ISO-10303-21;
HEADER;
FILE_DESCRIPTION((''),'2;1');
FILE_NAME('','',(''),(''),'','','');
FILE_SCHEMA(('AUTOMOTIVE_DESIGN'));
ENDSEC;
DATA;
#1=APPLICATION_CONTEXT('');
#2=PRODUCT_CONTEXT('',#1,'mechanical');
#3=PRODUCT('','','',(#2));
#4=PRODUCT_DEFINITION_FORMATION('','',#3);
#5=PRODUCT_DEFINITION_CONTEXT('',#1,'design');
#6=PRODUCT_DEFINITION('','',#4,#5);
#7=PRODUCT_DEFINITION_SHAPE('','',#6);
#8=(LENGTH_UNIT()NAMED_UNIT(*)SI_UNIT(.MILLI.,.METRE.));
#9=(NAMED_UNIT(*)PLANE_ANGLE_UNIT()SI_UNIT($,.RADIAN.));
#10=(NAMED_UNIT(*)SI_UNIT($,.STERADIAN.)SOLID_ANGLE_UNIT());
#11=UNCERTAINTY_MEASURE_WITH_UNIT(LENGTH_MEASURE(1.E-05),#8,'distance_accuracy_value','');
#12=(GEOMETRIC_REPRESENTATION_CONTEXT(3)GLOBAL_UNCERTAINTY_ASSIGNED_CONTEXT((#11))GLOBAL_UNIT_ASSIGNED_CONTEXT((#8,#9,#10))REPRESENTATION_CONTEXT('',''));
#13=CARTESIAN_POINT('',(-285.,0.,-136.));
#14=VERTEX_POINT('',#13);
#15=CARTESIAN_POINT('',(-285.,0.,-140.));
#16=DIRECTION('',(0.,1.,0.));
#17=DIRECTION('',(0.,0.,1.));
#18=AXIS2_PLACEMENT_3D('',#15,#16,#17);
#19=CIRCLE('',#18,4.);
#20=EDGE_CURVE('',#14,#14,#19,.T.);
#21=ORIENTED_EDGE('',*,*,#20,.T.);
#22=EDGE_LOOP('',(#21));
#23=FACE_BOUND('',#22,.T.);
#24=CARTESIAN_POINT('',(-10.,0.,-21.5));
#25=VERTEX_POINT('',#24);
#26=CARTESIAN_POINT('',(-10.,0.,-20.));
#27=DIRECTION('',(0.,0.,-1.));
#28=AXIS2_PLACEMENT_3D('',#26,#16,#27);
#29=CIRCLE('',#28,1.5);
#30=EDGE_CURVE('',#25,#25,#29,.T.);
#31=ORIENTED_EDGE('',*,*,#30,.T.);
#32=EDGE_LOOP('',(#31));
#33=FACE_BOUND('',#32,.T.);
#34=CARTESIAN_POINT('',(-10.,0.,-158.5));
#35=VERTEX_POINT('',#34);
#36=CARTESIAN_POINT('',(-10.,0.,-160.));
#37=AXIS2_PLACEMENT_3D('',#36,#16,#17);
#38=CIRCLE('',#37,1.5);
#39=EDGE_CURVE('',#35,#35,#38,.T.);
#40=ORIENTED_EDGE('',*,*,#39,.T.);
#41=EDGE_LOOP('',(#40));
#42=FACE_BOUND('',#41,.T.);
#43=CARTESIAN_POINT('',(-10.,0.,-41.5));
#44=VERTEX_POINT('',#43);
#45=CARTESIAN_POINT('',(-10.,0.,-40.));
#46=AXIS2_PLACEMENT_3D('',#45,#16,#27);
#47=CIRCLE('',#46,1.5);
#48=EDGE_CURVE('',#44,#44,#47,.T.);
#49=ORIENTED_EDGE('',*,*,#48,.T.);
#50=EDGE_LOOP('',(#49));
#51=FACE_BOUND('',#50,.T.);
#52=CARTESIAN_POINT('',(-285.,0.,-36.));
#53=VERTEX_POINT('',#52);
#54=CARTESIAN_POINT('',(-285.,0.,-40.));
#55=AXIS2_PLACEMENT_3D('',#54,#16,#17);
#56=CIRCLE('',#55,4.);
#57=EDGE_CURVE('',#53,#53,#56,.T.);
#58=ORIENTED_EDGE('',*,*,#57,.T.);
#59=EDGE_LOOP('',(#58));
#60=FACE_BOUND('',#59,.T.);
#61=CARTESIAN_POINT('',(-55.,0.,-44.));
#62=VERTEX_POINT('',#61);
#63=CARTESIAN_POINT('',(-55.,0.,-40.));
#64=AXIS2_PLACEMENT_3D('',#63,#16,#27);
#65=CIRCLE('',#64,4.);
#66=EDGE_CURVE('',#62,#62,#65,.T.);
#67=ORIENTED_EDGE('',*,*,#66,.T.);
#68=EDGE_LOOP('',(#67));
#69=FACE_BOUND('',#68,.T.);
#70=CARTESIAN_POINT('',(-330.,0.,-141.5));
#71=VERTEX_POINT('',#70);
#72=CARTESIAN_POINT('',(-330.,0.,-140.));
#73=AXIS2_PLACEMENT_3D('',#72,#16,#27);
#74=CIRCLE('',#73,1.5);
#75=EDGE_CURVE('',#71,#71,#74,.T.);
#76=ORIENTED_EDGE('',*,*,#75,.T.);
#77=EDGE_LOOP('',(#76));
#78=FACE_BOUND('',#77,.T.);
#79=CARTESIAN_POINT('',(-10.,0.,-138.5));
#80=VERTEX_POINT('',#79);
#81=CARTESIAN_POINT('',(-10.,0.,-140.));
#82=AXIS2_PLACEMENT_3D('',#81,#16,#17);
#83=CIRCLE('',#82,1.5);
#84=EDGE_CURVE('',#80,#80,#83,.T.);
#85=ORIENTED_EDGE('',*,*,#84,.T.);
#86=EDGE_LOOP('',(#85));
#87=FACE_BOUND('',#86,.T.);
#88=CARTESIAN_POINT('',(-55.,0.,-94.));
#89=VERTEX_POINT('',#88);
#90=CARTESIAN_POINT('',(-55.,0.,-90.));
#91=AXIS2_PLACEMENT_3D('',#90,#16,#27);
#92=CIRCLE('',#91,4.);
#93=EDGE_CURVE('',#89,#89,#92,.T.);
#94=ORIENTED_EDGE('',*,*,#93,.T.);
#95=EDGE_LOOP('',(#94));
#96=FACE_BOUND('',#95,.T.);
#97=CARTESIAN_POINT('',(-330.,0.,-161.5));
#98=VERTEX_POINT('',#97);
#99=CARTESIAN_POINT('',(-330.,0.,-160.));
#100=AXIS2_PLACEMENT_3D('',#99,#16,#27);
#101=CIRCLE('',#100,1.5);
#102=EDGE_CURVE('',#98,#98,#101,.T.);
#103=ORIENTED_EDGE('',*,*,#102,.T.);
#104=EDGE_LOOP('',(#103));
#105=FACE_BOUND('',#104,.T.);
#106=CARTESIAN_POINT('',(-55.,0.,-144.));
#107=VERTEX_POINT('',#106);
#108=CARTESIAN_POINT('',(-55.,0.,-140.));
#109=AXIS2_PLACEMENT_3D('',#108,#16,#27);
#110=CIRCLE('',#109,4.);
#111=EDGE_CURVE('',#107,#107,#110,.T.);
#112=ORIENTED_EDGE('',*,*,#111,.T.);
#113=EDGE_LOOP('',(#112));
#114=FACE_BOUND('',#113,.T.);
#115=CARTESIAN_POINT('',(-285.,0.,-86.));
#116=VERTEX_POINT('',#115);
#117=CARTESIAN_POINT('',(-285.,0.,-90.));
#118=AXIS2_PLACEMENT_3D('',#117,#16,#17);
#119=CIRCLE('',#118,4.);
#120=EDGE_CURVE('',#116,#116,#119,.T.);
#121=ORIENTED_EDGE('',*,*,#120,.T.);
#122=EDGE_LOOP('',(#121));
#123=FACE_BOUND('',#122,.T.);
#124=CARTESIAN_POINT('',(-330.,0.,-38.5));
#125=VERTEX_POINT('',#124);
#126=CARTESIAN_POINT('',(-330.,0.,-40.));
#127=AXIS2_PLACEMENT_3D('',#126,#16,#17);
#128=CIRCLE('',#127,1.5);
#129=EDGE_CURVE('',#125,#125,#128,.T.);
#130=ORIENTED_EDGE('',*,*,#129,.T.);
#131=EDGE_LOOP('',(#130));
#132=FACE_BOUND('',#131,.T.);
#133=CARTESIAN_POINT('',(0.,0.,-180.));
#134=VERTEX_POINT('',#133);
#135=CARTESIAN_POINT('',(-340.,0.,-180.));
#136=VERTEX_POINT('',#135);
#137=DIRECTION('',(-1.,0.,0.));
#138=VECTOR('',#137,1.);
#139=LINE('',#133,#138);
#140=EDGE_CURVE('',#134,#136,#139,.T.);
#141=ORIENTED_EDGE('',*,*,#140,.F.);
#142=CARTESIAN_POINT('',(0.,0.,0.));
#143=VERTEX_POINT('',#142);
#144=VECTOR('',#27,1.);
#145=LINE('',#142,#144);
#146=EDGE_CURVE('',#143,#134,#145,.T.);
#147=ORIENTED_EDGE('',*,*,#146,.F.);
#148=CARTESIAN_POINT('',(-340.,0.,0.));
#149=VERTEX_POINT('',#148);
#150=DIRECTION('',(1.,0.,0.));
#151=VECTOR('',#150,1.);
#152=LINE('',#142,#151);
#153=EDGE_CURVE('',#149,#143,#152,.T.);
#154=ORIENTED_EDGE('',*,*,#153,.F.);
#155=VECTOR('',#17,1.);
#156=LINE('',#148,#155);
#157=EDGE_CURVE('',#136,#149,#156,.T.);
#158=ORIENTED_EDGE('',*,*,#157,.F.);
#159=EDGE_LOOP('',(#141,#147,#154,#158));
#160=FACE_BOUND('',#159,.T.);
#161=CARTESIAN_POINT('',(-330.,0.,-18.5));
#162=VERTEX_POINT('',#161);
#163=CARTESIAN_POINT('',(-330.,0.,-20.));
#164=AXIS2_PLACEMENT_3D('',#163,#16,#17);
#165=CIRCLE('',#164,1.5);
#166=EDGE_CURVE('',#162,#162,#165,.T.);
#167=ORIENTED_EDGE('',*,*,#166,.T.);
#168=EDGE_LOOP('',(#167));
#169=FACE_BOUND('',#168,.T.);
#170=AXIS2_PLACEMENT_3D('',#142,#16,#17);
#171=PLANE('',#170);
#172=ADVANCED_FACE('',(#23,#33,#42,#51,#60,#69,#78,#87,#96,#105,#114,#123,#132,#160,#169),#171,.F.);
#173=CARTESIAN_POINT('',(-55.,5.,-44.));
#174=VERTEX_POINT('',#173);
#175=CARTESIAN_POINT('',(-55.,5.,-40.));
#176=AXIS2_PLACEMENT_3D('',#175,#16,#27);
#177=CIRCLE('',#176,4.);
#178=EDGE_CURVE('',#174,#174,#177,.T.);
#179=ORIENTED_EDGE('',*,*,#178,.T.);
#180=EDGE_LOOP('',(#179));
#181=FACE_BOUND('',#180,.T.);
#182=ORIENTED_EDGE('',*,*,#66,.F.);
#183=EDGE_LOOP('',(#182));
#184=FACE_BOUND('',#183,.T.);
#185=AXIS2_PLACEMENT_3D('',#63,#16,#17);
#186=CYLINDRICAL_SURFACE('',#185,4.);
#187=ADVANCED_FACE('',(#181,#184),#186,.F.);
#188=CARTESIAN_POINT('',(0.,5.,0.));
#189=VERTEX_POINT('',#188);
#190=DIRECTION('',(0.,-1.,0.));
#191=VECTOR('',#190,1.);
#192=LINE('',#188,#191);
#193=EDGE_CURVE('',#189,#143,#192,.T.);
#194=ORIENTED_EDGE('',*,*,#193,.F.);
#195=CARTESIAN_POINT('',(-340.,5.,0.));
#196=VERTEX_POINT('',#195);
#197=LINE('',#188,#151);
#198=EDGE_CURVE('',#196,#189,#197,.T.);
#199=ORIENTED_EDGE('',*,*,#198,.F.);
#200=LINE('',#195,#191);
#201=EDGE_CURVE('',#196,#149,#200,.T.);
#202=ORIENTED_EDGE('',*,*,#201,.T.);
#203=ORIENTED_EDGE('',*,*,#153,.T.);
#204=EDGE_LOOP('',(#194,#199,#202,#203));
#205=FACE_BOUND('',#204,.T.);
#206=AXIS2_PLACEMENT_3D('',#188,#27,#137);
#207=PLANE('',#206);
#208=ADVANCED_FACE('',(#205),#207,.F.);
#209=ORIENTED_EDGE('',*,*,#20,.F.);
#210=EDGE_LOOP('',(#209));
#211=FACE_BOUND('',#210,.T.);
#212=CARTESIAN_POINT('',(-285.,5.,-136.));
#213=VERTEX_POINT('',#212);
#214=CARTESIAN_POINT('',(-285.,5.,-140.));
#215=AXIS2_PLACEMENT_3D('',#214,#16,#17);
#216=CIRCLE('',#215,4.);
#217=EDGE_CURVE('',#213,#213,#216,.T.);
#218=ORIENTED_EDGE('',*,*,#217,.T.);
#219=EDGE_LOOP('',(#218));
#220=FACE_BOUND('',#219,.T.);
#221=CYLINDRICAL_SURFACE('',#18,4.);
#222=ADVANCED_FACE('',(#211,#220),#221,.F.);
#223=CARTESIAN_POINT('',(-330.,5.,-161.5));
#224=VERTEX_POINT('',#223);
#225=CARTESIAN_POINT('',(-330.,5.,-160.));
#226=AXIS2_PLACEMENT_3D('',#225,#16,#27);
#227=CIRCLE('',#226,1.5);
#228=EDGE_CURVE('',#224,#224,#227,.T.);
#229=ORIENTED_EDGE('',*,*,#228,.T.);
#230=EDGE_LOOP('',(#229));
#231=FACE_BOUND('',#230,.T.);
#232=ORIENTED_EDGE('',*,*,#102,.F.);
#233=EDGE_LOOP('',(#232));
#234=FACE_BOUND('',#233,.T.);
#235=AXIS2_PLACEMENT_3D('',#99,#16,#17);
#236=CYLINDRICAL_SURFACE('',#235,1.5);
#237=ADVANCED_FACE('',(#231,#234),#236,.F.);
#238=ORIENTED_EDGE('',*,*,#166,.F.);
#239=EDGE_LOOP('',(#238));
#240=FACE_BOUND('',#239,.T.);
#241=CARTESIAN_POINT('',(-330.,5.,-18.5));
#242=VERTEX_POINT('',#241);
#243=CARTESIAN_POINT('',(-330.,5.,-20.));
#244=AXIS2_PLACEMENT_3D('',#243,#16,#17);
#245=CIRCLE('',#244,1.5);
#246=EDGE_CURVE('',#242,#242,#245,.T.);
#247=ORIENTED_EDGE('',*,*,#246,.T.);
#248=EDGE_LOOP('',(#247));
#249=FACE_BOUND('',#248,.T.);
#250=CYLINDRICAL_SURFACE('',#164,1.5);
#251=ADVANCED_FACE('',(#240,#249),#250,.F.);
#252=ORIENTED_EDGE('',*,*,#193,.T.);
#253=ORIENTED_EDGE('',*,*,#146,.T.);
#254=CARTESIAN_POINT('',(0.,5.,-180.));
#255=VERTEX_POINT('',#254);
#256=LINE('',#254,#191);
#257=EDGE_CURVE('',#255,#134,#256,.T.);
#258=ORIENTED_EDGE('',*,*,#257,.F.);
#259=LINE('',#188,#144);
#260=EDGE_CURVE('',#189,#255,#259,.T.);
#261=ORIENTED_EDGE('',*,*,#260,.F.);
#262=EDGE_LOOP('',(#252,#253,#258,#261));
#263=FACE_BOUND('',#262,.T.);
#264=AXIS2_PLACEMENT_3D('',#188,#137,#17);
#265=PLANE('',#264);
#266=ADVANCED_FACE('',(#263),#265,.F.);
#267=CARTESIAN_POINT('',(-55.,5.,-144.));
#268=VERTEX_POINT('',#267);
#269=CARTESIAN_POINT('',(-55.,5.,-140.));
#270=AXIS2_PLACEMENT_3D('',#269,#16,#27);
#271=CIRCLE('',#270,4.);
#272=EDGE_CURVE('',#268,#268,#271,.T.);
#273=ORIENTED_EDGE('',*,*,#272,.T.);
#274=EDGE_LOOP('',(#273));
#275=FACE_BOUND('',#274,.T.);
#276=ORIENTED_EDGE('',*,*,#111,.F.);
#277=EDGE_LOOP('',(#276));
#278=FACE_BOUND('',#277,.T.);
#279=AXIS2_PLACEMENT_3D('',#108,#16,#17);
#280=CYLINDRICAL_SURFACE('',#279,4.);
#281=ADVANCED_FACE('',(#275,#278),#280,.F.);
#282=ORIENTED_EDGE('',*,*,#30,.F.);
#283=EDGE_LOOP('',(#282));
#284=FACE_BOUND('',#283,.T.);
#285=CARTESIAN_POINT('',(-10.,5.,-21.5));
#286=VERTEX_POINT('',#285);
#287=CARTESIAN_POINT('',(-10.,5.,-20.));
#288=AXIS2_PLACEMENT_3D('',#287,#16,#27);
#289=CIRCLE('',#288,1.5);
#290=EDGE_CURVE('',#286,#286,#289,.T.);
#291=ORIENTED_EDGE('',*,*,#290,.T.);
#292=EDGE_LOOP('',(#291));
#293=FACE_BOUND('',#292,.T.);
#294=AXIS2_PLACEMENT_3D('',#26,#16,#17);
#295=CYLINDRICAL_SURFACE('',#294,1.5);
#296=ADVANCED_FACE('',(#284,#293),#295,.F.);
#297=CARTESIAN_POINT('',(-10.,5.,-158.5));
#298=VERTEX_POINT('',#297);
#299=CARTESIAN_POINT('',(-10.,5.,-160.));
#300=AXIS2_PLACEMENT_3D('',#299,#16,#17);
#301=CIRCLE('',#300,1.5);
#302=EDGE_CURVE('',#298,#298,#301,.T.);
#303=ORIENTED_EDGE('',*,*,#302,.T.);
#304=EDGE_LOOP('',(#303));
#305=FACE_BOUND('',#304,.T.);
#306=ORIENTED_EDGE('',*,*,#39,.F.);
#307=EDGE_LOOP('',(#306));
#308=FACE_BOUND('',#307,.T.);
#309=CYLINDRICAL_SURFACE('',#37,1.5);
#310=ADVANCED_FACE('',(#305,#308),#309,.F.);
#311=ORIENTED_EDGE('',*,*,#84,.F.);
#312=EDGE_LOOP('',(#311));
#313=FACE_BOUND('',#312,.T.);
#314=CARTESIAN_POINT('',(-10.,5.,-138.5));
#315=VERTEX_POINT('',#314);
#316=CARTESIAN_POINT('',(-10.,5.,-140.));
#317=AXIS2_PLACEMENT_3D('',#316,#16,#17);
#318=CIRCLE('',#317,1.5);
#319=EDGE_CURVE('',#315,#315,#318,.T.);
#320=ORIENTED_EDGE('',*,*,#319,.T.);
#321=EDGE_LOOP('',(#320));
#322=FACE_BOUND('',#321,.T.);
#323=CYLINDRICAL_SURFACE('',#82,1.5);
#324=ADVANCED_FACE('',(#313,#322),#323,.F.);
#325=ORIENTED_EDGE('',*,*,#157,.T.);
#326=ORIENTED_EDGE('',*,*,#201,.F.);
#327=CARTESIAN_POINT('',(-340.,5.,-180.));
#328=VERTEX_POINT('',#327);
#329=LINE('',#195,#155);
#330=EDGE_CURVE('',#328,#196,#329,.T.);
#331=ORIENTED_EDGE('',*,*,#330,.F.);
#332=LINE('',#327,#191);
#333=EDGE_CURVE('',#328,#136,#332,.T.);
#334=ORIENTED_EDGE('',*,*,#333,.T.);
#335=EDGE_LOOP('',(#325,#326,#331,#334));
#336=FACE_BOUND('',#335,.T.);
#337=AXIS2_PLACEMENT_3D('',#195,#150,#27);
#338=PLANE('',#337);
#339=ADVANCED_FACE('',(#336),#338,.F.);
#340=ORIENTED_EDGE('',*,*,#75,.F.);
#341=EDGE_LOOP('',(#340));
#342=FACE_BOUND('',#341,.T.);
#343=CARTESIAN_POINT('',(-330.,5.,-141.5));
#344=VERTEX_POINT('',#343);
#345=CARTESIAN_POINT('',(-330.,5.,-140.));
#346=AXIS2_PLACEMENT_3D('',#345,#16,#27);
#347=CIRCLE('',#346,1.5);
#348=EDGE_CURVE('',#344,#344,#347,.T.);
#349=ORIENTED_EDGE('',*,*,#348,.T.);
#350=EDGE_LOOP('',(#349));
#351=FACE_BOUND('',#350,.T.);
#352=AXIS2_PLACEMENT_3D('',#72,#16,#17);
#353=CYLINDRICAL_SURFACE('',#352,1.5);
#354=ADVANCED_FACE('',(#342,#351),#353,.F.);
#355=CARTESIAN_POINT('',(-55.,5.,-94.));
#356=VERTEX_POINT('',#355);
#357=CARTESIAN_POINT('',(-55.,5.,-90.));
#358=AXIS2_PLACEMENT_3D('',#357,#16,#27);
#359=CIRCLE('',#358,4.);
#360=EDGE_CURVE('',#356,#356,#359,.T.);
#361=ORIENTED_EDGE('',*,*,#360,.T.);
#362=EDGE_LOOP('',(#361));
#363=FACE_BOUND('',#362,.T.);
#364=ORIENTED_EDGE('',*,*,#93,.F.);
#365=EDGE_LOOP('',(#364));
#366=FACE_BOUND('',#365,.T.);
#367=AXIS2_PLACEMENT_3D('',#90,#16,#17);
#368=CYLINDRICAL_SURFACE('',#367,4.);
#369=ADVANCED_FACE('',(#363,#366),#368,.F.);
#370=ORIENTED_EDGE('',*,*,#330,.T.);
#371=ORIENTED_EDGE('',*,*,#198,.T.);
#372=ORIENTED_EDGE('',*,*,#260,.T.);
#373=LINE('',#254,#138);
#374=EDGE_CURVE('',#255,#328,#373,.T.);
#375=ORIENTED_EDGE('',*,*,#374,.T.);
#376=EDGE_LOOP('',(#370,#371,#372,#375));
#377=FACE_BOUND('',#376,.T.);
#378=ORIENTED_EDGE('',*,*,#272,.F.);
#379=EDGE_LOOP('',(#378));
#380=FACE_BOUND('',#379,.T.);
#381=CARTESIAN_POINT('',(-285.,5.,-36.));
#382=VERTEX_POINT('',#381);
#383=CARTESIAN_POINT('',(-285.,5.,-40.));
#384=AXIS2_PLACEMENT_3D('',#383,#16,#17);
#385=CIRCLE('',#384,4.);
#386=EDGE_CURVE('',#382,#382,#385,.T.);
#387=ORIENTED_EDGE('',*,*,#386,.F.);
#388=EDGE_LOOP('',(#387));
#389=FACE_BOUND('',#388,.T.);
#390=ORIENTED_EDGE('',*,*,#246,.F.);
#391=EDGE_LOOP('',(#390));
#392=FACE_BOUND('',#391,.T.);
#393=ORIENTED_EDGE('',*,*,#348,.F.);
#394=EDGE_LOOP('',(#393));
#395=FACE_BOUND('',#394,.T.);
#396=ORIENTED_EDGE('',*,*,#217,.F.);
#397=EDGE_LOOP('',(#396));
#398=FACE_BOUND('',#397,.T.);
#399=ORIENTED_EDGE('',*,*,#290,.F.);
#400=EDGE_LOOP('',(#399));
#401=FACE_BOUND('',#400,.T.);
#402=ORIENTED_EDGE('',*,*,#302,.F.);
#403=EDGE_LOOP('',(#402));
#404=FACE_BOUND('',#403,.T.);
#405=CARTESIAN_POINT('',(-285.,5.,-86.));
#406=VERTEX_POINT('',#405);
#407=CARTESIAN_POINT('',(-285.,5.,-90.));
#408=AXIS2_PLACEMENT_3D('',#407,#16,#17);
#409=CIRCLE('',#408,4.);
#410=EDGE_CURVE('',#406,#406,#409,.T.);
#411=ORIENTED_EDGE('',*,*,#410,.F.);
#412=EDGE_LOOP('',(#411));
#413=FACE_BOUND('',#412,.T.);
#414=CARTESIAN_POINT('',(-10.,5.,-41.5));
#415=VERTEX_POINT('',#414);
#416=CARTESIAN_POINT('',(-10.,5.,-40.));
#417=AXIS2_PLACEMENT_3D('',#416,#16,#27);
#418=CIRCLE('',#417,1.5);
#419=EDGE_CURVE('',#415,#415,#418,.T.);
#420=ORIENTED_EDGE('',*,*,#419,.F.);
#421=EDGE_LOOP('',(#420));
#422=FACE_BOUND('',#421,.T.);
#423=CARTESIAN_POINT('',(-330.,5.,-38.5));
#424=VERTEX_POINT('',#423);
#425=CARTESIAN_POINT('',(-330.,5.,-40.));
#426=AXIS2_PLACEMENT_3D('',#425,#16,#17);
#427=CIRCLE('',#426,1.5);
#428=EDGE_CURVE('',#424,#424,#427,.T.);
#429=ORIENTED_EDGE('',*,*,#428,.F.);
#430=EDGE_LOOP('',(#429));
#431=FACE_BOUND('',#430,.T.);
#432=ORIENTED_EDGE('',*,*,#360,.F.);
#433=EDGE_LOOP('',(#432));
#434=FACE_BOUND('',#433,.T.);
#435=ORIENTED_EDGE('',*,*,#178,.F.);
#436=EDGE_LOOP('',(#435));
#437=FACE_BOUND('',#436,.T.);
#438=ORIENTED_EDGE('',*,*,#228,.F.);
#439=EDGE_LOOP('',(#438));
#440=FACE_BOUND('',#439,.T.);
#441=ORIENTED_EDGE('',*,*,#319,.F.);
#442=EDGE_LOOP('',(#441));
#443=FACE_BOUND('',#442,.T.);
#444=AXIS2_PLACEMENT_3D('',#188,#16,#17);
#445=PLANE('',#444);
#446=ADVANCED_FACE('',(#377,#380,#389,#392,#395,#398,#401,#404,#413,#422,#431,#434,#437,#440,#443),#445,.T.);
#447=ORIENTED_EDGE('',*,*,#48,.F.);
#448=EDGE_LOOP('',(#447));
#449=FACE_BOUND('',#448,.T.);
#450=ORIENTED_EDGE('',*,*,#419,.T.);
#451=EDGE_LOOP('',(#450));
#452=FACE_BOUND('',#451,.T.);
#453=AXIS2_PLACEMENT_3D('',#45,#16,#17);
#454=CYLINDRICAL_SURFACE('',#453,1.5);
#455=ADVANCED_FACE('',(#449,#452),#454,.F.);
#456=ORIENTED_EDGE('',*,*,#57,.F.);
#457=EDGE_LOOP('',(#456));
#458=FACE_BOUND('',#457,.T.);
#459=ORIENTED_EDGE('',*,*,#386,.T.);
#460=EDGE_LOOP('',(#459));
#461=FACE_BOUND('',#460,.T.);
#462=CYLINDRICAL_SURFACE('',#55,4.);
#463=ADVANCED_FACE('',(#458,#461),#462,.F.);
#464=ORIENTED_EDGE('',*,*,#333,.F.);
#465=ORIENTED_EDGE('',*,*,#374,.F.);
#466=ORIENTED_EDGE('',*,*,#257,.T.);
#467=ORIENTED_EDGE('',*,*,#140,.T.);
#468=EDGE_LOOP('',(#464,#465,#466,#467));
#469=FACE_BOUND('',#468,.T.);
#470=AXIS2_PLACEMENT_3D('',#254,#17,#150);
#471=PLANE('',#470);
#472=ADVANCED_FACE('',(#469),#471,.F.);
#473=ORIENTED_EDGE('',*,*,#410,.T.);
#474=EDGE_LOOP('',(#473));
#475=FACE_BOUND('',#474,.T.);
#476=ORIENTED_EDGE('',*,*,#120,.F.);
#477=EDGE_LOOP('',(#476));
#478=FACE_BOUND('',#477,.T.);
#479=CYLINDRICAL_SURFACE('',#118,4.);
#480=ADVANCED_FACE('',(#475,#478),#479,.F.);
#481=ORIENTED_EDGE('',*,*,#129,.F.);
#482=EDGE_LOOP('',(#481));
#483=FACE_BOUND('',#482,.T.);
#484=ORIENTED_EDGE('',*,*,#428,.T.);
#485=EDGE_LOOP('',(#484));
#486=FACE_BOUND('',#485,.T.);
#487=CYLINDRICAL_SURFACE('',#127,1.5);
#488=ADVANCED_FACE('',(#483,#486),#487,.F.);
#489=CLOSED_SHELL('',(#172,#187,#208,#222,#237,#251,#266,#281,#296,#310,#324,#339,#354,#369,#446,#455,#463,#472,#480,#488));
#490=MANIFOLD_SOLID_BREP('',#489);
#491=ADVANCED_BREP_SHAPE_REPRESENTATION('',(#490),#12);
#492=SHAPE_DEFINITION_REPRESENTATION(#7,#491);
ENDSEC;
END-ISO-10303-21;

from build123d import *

# Parameters (mm, degrees)
SKETCH_1_W          = 340
SKETCH_1_H          = 180
EXTRUDE_1_DEPTH     = 5
SKETCH_2_R          = 1.5
CUT_EXTRUDE_1_DEPTH = 5
SKETCH_4_R          = 4
CUT_EXTRUDE_2_DEPTH = 5


with BuildPart() as part:
    # 草图1 → 凸台-拉伸1 (new body)
    with BuildSketch(Plane(origin=(0, 0, 0), x_dir=(1, 0, 0), z_dir=(0, 1, 0))):
        with Locations((-170, 90)):
            Rectangle(SKETCH_1_W, SKETCH_1_H)
    extrude(amount=EXTRUDE_1_DEPTH)

    # 草图2 → 切除-拉伸1 (cut)
    with BuildSketch(Plane(origin=(0, 5, 0), x_dir=(1, 0, 0), z_dir=(0, 1, 0))):
        with Locations(Location((-330, 20, 0), (0, 0, 270))):
            Circle(SKETCH_2_R)
        with Locations(Location((-330, 40, 0), (0, 0, 270))):
            Circle(SKETCH_2_R)
        with Locations(Location((-330, 140, 0), (0, 0, 90))):
            Circle(SKETCH_2_R)
        with Locations(Location((-330, 160, 0), (0, 0, 90))):
            Circle(SKETCH_2_R)
        with Locations(Location((-10, 160, 0), (0, 0, 270))):
            Circle(SKETCH_2_R)
        with Locations(Location((-10, 140, 0), (0, 0, 270))):
            Circle(SKETCH_2_R)
        with Locations(Location((-10, 40, 0), (0, 0, 90))):
            Circle(SKETCH_2_R)
        with Locations(Location((-10, 20, 0), (0, 0, 90))):
            Circle(SKETCH_2_R)
    extrude(amount=-CUT_EXTRUDE_1_DEPTH, mode=Mode.SUBTRACT)

    # 草图4 → 切除-拉伸2 (cut)
    with BuildSketch(Plane(origin=(0, 5, 0), x_dir=(1, 0, 0), z_dir=(0, 1, 0))):
        with Locations(Location((-285, 140, 0), (0, 0, 270))):
            Circle(SKETCH_4_R)
        with Locations(Location((-285, 90, 0), (0, 0, 270))):
            Circle(SKETCH_4_R)
        with Locations(Location((-285, 40, 0), (0, 0, 270))):
            Circle(SKETCH_4_R)
        with Locations(Location((-55, 40, 0), (0, 0, 90))):
            Circle(SKETCH_4_R)
        with Locations(Location((-55, 90, 0), (0, 0, 90))):
            Circle(SKETCH_4_R)
        with Locations(Location((-55, 140, 0), (0, 0, 90))):
            Circle(SKETCH_4_R)
    extrude(amount=-CUT_EXTRUDE_2_DEPTH, mode=Mode.SUBTRACT)


solid = part.part
